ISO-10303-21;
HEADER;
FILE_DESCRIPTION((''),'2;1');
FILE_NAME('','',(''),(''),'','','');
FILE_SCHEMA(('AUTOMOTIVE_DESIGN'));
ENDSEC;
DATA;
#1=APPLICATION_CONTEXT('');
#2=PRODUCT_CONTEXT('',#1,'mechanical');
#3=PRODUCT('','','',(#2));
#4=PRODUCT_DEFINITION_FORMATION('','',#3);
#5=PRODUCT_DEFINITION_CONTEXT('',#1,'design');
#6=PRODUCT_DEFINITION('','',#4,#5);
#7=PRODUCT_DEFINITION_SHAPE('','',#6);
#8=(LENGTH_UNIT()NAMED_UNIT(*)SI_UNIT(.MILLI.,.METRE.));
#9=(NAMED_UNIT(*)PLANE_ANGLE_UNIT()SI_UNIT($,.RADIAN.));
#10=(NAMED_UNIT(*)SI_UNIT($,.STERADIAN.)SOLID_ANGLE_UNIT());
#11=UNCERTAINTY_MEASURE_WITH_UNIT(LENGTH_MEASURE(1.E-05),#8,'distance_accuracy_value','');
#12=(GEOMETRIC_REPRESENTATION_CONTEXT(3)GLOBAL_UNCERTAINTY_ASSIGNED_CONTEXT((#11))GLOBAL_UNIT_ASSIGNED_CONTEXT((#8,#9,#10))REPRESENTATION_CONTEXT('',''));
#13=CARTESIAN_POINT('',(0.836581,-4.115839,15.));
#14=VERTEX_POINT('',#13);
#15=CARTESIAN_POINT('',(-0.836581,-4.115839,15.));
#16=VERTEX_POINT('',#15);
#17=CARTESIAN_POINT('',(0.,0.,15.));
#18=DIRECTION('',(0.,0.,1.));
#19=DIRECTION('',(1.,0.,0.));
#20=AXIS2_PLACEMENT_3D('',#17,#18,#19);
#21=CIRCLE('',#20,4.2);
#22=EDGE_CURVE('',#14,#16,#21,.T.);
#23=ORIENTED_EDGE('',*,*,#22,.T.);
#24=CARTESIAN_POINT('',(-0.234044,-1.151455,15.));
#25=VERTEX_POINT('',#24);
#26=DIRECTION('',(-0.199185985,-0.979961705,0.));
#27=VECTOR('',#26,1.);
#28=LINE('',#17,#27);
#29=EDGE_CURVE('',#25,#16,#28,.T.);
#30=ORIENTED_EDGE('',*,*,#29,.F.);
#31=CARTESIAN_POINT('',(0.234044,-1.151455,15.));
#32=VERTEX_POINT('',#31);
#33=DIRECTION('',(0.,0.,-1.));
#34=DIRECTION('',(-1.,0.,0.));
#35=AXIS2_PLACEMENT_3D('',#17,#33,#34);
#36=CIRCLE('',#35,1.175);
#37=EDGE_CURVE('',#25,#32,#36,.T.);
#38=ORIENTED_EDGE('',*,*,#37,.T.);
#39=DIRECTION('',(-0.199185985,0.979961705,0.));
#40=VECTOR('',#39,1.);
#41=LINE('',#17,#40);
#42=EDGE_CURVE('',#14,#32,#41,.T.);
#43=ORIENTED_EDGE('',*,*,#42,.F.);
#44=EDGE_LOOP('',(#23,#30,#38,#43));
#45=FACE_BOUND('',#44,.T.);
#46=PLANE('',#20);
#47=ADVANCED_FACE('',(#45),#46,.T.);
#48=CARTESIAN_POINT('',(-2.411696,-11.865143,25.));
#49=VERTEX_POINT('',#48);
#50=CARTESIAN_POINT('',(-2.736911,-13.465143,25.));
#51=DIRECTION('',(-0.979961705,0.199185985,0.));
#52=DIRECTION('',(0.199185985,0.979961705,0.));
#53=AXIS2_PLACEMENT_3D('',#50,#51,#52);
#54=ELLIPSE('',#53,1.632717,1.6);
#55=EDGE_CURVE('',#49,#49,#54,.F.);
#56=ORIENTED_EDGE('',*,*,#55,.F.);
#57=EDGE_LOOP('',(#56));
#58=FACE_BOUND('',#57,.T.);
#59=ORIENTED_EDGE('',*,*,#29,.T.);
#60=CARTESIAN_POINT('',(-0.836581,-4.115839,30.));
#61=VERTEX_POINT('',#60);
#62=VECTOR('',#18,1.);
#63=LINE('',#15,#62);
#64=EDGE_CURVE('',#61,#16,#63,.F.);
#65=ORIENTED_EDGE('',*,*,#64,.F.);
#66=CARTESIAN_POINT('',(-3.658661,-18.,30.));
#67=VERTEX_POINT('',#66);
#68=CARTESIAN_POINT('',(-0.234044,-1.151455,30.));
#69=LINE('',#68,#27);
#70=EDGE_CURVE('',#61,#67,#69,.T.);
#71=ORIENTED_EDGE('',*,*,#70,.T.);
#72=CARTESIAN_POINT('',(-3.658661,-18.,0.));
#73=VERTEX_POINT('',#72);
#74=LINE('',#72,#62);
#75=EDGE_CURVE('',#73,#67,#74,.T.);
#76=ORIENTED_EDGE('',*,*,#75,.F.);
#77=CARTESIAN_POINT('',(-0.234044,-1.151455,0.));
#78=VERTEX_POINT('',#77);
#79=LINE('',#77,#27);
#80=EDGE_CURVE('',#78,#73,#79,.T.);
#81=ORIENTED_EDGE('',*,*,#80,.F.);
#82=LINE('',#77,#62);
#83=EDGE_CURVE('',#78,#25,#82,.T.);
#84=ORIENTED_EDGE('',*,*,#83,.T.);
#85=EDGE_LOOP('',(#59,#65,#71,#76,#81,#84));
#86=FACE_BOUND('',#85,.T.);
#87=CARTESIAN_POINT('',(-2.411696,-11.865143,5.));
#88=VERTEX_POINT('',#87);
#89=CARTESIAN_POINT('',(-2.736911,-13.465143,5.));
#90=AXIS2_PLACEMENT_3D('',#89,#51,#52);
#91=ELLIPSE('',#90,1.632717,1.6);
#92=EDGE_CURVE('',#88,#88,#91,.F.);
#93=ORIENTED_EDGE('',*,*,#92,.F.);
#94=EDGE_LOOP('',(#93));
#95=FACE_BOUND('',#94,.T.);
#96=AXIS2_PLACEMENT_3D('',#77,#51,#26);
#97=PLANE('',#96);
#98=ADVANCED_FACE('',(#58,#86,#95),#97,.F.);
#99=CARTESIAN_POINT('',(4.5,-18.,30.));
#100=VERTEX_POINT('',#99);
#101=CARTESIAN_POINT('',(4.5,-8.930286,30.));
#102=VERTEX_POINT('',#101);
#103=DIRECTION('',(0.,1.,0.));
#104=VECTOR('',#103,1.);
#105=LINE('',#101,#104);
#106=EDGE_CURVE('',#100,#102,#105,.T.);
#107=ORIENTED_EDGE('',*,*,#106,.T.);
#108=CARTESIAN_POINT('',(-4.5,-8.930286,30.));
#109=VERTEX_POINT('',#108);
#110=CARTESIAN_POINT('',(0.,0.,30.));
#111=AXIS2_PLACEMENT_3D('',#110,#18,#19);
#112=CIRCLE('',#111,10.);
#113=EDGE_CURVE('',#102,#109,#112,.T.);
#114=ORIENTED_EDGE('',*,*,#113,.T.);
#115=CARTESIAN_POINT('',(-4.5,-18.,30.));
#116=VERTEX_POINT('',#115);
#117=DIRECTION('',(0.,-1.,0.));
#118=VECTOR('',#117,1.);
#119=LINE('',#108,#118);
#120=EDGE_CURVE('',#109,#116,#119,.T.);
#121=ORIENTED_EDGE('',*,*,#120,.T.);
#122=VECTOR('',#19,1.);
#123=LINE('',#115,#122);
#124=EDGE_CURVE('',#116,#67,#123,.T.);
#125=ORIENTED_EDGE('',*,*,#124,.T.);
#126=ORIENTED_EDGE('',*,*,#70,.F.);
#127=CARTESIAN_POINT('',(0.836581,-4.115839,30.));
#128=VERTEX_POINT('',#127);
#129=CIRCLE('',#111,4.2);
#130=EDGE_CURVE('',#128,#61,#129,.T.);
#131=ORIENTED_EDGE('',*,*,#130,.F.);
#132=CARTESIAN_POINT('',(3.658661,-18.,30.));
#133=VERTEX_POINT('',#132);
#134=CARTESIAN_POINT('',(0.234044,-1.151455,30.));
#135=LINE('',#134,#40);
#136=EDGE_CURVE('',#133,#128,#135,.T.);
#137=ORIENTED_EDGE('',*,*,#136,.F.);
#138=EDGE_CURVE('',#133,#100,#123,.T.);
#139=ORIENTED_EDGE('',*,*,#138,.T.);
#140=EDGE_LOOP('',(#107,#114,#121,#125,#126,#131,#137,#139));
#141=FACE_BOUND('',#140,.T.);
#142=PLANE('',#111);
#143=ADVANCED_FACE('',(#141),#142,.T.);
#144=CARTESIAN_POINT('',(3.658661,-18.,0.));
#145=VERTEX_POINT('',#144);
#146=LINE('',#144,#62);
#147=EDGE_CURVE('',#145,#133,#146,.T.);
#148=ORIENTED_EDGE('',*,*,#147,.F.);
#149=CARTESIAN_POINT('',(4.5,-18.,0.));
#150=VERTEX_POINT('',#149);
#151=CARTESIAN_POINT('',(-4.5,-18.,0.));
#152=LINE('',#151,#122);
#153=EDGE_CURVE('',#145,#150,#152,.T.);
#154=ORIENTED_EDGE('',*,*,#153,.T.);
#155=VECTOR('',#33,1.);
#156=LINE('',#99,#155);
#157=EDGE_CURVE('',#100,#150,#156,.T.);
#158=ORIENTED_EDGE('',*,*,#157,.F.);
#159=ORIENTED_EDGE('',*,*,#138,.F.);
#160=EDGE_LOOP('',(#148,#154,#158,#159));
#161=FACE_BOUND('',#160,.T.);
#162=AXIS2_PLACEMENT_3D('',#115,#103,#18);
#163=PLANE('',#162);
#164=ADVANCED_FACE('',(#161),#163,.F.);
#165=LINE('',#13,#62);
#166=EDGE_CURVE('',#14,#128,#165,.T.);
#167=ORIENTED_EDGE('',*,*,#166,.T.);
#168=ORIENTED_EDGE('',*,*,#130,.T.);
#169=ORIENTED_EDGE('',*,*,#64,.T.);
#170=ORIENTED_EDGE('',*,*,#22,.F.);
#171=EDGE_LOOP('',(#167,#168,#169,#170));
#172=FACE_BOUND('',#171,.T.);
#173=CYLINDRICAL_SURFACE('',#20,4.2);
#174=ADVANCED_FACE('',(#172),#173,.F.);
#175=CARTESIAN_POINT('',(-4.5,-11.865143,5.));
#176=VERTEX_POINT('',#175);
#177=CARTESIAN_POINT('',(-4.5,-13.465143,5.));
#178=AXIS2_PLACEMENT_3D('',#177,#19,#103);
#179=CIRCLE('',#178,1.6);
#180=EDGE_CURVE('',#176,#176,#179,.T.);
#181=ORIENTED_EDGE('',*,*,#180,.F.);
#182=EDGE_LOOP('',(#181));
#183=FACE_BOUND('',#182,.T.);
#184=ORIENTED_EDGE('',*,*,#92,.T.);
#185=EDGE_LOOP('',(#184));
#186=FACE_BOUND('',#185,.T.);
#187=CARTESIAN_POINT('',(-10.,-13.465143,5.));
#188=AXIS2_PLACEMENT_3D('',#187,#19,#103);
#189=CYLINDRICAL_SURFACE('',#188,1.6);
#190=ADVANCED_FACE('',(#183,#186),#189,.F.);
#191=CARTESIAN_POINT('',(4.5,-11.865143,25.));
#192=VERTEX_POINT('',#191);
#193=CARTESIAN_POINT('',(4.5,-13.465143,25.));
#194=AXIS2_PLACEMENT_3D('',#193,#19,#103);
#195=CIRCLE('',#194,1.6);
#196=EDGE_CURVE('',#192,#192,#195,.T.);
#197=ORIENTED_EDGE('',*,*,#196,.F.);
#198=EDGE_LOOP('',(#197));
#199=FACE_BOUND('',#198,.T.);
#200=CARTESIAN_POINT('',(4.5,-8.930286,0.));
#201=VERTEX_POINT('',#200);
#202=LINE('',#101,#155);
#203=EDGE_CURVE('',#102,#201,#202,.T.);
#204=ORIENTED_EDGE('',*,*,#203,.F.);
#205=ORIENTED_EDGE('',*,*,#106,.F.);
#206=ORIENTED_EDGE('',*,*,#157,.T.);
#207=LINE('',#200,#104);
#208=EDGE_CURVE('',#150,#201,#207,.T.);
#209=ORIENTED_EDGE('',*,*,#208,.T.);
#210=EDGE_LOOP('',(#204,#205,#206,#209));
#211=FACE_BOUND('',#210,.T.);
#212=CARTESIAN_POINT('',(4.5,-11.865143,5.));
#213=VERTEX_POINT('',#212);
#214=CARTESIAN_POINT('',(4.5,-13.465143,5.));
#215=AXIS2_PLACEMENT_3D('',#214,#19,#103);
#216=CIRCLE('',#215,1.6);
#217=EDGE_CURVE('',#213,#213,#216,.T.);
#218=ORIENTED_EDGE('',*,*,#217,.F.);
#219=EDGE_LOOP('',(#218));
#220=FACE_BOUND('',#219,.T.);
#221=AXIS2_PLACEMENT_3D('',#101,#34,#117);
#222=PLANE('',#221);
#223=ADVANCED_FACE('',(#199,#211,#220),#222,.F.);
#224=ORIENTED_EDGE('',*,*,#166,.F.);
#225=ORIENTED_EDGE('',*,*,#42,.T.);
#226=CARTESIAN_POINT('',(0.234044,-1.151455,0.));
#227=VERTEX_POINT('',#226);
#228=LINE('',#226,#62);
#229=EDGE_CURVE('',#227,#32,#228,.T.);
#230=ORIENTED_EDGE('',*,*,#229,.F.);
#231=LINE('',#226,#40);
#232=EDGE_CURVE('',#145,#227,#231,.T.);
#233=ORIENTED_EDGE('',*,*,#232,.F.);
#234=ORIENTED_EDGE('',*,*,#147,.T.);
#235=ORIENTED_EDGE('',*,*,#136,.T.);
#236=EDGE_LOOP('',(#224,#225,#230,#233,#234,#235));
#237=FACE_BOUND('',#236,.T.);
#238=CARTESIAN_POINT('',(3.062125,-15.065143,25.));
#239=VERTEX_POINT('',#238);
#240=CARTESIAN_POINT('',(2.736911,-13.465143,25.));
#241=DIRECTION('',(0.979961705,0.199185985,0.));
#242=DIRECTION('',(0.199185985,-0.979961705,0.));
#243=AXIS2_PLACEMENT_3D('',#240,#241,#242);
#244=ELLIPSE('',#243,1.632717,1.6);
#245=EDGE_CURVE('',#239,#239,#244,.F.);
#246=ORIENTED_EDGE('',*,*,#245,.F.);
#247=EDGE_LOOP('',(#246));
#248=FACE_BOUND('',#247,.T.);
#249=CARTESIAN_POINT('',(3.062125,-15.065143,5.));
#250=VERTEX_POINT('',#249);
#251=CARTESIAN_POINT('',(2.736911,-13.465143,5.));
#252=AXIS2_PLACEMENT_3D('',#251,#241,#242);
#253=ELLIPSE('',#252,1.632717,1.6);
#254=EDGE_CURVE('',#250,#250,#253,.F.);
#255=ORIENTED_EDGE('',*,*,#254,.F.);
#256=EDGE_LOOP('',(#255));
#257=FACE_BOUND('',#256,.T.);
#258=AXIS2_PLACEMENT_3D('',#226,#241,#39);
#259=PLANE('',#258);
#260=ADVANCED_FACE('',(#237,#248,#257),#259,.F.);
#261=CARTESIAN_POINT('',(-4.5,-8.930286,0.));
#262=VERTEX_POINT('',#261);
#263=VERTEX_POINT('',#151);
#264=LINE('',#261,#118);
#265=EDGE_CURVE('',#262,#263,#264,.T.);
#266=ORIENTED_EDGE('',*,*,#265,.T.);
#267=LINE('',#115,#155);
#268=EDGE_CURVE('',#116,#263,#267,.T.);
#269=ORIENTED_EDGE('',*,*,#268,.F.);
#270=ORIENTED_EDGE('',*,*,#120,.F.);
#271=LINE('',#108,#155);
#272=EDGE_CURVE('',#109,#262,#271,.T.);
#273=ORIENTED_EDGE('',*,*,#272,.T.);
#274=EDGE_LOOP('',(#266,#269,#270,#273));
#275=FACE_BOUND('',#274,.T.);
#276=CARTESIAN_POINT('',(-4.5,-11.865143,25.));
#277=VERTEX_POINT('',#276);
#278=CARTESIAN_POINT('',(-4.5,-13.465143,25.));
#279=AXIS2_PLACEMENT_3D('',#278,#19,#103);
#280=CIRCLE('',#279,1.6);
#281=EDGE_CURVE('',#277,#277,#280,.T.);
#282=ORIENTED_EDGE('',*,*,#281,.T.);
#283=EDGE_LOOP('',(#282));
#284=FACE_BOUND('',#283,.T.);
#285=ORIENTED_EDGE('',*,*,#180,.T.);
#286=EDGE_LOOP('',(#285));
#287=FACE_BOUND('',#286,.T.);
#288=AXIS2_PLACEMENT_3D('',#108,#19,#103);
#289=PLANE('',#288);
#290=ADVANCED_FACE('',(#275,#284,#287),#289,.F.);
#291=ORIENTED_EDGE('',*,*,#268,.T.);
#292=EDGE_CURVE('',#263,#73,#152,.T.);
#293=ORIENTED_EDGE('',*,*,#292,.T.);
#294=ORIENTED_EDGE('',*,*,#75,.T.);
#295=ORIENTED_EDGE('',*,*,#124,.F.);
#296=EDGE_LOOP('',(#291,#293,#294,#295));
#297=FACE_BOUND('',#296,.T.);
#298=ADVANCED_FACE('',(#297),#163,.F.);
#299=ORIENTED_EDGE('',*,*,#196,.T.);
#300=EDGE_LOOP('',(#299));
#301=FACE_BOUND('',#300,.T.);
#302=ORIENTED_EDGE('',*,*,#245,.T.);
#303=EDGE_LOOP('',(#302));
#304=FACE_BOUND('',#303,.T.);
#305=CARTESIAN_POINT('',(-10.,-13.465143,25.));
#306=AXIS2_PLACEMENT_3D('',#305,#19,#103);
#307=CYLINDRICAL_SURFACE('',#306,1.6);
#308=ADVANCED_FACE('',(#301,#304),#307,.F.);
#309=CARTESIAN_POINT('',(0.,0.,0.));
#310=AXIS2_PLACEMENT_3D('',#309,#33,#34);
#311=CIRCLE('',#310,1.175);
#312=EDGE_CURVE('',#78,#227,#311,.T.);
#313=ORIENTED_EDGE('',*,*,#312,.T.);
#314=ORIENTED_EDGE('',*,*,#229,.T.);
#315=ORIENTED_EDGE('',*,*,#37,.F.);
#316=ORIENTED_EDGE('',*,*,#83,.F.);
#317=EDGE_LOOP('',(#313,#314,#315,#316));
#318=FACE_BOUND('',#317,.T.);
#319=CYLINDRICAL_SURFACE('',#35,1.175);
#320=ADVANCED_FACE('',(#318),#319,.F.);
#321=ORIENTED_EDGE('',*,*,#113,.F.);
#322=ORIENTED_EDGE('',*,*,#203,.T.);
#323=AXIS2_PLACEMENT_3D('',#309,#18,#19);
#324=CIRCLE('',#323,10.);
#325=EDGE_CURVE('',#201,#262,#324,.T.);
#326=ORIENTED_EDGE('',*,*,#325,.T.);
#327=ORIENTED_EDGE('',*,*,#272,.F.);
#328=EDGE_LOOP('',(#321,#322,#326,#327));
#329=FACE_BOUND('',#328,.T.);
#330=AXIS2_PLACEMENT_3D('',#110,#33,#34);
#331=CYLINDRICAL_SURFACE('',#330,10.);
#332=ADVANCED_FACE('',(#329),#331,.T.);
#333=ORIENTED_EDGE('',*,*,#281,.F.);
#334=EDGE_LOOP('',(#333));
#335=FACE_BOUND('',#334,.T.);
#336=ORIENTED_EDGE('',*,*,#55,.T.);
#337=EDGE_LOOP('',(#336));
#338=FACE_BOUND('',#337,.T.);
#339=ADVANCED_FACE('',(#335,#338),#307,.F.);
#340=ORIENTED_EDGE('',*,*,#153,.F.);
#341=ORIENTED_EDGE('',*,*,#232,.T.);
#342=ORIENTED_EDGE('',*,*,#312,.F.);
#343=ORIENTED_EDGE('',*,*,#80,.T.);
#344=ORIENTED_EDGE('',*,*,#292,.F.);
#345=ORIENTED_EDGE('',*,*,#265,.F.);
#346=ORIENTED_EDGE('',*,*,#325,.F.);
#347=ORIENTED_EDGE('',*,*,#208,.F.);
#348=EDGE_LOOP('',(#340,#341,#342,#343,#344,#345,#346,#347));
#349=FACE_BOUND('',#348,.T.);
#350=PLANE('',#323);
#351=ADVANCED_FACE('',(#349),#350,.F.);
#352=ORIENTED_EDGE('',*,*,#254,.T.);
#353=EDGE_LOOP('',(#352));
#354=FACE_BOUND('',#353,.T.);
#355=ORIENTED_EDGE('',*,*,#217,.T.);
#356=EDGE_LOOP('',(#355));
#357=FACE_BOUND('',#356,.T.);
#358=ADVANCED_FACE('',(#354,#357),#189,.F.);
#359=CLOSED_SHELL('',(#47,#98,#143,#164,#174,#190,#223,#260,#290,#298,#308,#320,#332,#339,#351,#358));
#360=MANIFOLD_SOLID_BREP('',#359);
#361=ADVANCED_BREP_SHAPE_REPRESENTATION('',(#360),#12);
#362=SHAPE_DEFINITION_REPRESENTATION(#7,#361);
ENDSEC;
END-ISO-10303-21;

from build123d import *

# Parameters (mm, degrees)
EXTRUDE_1_DEPTH     = 30
SKETCH_2_R          = 4.2
CUT_EXTRUDE_1_DEPTH = 15
SKETCH_3_R          = 1.175
CUT_EXTRUDE_2_DEPTH = 15
SKETCH_10_R         = 1.6
CUT_EXTRUDE_8_DEPTH = 38.871493237
CUT_EXTRUDE_9_DEPTH = 37.386810797


with BuildPart() as part:
    # ｽｹｯﾁ1 → ﾎﾞｽ - 押し出し1 (new body)
    with BuildSketch(Plane.XY):
        with BuildLine():
            Line((-4.5, -8.93028555), (-4.5, -18))
            Line((-4.5, -18), (4.5, -18))
            Line((4.5, -18), (4.5, -8.93028555))
            ThreePointArc((4.5, -8.93028555), (0, 10), (-4.5, -8.93028555))
        make_face()
    extrude(amount=EXTRUDE_1_DEPTH)

    # ｽｹｯﾁ2 → ｶｯﾄ - 押し出し1 (cut)
    with BuildSketch(Plane.XY.offset(30)):
        Circle(SKETCH_2_R)
    extrude(amount=-CUT_EXTRUDE_1_DEPTH, mode=Mode.SUBTRACT)

    # ｽｹｯﾁ3 → ｶｯﾄ - 押し出し2 (cut)
    with BuildSketch(Plane(origin=(0, 0, 0), x_dir=(-1, 0, 0), z_dir=(0, 0, -1))):
        Circle(SKETCH_3_R)
    extrude(amount=-CUT_EXTRUDE_2_DEPTH, mode=Mode.SUBTRACT)

    # ｽｹｯﾁ10 → ｶｯﾄ - 押し出し8 (cut, through all)
    with BuildSketch(Plane(origin=(4.5, 0, 0), x_dir=(0, 0, -1), z_dir=(1, 0, 0))):
        with Locations(Location((-25, -13.465142775, 0), (0, 0, 90))):
            Circle(SKETCH_10_R)
        with Locations(Location((-5, -13.465142775, 0), (0, 0, 90))):
            Circle(SKETCH_10_R)
    extrude(amount=-CUT_EXTRUDE_8_DEPTH, mode=Mode.SUBTRACT)

    # ｽｹｯﾁ4 → ｶｯﾄ - 押し出し9 (cut, through all)
    with BuildSketch(Plane.XY.offset(30)):
        with BuildLine():
            Line((-0.234043532, -1.151455003), (-3.658661061, -18))
            ThreePointArc((-3.658661061, -18), (0, -18.368064698), (3.658661061, -18))
            Line((3.658661061, -18), (0.234043532, -1.151455003))
            ThreePointArc((0.234043532, -1.151455003), (0, -1.175), (-0.234043532, -1.151455003))
        make_face()
    extrude(amount=-CUT_EXTRUDE_9_DEPTH, mode=Mode.SUBTRACT)


solid = part.part
